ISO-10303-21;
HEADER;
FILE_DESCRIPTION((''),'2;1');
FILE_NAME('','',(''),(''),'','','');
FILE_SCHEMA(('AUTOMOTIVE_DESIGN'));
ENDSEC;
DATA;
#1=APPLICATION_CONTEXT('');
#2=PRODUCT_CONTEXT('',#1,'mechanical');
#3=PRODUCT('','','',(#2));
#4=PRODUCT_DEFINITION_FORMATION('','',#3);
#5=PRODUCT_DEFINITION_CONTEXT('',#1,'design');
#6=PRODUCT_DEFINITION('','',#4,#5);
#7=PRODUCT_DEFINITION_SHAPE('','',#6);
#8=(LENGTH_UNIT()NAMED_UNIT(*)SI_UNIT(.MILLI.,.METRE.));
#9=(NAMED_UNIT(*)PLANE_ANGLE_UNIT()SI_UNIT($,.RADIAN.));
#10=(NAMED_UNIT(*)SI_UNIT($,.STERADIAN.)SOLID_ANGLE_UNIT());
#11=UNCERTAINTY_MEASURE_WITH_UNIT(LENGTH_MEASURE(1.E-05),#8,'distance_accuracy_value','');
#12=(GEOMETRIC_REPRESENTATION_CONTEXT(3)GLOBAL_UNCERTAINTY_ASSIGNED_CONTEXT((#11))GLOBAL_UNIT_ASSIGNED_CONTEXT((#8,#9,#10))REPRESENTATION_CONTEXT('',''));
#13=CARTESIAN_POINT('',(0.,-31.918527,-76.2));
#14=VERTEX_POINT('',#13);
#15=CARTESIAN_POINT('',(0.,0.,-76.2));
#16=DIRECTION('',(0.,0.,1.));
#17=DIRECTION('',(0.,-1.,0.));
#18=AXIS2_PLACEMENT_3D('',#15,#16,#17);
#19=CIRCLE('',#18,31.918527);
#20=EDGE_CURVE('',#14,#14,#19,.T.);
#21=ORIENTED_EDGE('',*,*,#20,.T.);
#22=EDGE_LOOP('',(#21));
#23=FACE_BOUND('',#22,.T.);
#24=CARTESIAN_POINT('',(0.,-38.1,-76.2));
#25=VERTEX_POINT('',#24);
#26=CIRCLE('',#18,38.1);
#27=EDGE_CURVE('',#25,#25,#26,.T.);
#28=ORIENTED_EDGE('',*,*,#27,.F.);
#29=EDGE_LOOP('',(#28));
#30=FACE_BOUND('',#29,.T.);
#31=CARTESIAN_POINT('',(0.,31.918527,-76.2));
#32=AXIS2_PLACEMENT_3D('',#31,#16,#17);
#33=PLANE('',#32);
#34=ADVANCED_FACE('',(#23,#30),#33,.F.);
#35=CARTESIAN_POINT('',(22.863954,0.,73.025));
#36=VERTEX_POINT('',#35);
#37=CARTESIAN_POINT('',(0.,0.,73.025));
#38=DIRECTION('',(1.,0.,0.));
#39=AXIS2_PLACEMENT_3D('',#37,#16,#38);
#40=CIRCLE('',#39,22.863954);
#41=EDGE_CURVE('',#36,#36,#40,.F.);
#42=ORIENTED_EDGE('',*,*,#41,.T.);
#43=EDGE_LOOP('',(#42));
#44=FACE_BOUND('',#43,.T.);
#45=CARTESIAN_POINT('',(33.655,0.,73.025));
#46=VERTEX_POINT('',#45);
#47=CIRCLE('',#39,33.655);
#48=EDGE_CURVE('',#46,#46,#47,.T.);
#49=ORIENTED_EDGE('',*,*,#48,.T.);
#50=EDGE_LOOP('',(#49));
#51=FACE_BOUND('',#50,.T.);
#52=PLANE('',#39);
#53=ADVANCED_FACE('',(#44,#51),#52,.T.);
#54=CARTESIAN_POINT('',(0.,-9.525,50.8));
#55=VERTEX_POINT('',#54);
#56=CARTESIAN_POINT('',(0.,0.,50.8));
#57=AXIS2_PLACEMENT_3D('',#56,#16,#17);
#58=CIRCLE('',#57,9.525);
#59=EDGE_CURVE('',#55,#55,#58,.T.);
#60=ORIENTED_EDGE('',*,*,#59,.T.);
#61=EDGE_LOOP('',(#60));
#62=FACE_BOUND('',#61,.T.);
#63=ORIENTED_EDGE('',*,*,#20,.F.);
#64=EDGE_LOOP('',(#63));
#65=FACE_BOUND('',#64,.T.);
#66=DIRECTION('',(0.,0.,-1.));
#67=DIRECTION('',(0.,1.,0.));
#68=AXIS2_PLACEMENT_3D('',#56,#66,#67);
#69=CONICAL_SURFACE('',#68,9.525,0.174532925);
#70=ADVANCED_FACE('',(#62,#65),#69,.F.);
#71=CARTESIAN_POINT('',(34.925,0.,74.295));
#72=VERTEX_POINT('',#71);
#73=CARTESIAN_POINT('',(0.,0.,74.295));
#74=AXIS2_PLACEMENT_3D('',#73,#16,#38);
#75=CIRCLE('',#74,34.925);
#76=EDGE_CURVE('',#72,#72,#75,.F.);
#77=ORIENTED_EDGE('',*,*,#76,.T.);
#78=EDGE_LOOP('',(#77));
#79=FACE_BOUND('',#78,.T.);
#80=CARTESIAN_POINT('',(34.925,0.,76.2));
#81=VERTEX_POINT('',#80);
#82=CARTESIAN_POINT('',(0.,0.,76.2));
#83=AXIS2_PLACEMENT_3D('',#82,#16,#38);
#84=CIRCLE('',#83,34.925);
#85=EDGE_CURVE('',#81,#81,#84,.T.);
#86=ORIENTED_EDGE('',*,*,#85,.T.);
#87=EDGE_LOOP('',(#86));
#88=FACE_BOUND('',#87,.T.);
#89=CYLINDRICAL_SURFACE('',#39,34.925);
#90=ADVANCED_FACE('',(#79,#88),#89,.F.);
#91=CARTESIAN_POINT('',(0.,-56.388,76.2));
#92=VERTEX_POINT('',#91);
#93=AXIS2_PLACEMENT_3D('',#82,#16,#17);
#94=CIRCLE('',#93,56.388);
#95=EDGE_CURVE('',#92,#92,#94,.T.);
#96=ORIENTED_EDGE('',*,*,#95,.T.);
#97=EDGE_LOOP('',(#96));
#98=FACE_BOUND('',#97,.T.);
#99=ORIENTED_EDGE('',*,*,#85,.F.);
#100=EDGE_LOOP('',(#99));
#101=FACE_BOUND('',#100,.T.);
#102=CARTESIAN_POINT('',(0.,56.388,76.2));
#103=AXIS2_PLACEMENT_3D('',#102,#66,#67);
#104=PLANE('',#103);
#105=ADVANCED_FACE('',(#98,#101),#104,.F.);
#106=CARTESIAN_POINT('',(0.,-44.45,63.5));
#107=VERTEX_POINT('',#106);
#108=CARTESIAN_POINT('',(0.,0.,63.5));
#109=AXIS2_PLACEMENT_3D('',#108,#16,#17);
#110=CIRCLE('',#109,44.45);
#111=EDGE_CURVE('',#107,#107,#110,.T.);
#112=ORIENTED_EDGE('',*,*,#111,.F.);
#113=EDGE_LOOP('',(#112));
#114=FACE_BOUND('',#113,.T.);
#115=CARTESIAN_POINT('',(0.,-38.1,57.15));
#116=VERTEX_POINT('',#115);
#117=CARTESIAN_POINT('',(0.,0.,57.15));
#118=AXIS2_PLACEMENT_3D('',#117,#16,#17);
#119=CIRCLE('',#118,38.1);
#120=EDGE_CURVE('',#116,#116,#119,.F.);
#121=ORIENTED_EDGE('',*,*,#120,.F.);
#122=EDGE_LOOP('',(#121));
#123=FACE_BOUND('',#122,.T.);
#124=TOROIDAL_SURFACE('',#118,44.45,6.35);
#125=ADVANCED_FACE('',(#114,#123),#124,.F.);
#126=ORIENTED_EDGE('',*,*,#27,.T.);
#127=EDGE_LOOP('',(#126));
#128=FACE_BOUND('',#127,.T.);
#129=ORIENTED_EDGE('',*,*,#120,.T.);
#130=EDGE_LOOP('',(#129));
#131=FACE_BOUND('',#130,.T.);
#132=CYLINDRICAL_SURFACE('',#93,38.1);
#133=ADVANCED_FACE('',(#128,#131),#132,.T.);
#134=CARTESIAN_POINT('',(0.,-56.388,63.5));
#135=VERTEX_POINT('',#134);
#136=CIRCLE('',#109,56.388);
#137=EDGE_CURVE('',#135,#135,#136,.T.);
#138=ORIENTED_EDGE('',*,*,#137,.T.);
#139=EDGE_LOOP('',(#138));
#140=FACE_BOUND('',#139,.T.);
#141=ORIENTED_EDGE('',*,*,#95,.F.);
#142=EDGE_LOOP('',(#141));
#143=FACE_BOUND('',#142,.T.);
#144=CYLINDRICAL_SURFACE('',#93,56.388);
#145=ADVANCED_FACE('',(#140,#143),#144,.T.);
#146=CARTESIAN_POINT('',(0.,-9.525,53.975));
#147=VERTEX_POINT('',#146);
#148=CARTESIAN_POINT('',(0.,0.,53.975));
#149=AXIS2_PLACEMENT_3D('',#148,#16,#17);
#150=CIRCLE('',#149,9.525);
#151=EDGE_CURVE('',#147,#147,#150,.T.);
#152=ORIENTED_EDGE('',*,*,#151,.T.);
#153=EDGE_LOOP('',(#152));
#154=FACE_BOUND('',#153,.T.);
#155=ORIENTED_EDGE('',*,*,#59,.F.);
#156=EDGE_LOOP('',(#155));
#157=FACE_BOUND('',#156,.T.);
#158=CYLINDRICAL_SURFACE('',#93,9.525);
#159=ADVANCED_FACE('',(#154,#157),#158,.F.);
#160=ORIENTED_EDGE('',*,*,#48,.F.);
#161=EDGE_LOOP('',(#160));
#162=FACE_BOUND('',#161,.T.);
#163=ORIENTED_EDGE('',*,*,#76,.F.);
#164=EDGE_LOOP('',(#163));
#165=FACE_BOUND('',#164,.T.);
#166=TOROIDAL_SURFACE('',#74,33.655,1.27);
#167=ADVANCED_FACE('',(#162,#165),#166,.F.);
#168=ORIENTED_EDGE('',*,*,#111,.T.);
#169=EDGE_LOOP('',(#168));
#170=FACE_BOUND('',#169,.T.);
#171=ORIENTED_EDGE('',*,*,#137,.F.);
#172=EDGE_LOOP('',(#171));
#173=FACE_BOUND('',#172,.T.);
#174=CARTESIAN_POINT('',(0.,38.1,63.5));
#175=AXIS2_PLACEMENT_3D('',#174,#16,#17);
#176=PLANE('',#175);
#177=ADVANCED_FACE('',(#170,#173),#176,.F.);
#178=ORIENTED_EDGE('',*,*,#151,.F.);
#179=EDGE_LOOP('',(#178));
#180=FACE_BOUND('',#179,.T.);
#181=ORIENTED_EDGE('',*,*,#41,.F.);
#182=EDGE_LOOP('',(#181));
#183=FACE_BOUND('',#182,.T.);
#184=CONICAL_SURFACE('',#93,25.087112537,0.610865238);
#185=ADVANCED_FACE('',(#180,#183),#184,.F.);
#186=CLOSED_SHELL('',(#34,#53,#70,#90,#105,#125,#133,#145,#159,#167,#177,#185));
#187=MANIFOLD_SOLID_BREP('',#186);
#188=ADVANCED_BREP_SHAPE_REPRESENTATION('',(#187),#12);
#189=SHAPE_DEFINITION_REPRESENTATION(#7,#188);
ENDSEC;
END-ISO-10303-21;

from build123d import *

# Parameters (mm, degrees)
FILLET1_R          = 6.35
SKETCH2_R          = 34.925
CUT_EXTRUDE1_DEPTH = 3.175
FILLET2_R          = 1.27


with BuildPart() as part:
    # Sketch1 → Revolve1 (revolve)
    with BuildSketch(Plane(origin=(0, 0, 0), x_dir=(0, 0, -1), z_dir=(1, 0, 0))):
        Polygon((-76.2, 25.087112537), (-53.975, 9.525), (-50.8, 9.525), (76.2, 31.91852655), (76.2, 38.1), (-63.5, 38.1), (-63.5, 56.388), (-76.2, 56.388), align=None)
    revolve(axis=Axis((0, 0, 76.2), (0, 0, -1)))

    # Fillet1
    fillet1_edges = [part.edges().sort_by_distance(p)[0] for p in [
        (0, -38.1, 63.5),
    ]]
    fillet(fillet1_edges, radius=FILLET1_R)

    # Sketch2 → Cut-Extrude1 (cut)
    with BuildSketch(Plane.XY.offset(76.2)):
        Circle(SKETCH2_R)
    extrude(amount=-CUT_EXTRUDE1_DEPTH, mode=Mode.SUBTRACT)

    # Fillet2
    fillet2_edges = [part.edges().sort_by_distance(p)[0] for p in [
        (-34.925, 0, 73.025),
    ]]
    fillet(fillet2_edges, radius=FILLET2_R)


solid = part.part
